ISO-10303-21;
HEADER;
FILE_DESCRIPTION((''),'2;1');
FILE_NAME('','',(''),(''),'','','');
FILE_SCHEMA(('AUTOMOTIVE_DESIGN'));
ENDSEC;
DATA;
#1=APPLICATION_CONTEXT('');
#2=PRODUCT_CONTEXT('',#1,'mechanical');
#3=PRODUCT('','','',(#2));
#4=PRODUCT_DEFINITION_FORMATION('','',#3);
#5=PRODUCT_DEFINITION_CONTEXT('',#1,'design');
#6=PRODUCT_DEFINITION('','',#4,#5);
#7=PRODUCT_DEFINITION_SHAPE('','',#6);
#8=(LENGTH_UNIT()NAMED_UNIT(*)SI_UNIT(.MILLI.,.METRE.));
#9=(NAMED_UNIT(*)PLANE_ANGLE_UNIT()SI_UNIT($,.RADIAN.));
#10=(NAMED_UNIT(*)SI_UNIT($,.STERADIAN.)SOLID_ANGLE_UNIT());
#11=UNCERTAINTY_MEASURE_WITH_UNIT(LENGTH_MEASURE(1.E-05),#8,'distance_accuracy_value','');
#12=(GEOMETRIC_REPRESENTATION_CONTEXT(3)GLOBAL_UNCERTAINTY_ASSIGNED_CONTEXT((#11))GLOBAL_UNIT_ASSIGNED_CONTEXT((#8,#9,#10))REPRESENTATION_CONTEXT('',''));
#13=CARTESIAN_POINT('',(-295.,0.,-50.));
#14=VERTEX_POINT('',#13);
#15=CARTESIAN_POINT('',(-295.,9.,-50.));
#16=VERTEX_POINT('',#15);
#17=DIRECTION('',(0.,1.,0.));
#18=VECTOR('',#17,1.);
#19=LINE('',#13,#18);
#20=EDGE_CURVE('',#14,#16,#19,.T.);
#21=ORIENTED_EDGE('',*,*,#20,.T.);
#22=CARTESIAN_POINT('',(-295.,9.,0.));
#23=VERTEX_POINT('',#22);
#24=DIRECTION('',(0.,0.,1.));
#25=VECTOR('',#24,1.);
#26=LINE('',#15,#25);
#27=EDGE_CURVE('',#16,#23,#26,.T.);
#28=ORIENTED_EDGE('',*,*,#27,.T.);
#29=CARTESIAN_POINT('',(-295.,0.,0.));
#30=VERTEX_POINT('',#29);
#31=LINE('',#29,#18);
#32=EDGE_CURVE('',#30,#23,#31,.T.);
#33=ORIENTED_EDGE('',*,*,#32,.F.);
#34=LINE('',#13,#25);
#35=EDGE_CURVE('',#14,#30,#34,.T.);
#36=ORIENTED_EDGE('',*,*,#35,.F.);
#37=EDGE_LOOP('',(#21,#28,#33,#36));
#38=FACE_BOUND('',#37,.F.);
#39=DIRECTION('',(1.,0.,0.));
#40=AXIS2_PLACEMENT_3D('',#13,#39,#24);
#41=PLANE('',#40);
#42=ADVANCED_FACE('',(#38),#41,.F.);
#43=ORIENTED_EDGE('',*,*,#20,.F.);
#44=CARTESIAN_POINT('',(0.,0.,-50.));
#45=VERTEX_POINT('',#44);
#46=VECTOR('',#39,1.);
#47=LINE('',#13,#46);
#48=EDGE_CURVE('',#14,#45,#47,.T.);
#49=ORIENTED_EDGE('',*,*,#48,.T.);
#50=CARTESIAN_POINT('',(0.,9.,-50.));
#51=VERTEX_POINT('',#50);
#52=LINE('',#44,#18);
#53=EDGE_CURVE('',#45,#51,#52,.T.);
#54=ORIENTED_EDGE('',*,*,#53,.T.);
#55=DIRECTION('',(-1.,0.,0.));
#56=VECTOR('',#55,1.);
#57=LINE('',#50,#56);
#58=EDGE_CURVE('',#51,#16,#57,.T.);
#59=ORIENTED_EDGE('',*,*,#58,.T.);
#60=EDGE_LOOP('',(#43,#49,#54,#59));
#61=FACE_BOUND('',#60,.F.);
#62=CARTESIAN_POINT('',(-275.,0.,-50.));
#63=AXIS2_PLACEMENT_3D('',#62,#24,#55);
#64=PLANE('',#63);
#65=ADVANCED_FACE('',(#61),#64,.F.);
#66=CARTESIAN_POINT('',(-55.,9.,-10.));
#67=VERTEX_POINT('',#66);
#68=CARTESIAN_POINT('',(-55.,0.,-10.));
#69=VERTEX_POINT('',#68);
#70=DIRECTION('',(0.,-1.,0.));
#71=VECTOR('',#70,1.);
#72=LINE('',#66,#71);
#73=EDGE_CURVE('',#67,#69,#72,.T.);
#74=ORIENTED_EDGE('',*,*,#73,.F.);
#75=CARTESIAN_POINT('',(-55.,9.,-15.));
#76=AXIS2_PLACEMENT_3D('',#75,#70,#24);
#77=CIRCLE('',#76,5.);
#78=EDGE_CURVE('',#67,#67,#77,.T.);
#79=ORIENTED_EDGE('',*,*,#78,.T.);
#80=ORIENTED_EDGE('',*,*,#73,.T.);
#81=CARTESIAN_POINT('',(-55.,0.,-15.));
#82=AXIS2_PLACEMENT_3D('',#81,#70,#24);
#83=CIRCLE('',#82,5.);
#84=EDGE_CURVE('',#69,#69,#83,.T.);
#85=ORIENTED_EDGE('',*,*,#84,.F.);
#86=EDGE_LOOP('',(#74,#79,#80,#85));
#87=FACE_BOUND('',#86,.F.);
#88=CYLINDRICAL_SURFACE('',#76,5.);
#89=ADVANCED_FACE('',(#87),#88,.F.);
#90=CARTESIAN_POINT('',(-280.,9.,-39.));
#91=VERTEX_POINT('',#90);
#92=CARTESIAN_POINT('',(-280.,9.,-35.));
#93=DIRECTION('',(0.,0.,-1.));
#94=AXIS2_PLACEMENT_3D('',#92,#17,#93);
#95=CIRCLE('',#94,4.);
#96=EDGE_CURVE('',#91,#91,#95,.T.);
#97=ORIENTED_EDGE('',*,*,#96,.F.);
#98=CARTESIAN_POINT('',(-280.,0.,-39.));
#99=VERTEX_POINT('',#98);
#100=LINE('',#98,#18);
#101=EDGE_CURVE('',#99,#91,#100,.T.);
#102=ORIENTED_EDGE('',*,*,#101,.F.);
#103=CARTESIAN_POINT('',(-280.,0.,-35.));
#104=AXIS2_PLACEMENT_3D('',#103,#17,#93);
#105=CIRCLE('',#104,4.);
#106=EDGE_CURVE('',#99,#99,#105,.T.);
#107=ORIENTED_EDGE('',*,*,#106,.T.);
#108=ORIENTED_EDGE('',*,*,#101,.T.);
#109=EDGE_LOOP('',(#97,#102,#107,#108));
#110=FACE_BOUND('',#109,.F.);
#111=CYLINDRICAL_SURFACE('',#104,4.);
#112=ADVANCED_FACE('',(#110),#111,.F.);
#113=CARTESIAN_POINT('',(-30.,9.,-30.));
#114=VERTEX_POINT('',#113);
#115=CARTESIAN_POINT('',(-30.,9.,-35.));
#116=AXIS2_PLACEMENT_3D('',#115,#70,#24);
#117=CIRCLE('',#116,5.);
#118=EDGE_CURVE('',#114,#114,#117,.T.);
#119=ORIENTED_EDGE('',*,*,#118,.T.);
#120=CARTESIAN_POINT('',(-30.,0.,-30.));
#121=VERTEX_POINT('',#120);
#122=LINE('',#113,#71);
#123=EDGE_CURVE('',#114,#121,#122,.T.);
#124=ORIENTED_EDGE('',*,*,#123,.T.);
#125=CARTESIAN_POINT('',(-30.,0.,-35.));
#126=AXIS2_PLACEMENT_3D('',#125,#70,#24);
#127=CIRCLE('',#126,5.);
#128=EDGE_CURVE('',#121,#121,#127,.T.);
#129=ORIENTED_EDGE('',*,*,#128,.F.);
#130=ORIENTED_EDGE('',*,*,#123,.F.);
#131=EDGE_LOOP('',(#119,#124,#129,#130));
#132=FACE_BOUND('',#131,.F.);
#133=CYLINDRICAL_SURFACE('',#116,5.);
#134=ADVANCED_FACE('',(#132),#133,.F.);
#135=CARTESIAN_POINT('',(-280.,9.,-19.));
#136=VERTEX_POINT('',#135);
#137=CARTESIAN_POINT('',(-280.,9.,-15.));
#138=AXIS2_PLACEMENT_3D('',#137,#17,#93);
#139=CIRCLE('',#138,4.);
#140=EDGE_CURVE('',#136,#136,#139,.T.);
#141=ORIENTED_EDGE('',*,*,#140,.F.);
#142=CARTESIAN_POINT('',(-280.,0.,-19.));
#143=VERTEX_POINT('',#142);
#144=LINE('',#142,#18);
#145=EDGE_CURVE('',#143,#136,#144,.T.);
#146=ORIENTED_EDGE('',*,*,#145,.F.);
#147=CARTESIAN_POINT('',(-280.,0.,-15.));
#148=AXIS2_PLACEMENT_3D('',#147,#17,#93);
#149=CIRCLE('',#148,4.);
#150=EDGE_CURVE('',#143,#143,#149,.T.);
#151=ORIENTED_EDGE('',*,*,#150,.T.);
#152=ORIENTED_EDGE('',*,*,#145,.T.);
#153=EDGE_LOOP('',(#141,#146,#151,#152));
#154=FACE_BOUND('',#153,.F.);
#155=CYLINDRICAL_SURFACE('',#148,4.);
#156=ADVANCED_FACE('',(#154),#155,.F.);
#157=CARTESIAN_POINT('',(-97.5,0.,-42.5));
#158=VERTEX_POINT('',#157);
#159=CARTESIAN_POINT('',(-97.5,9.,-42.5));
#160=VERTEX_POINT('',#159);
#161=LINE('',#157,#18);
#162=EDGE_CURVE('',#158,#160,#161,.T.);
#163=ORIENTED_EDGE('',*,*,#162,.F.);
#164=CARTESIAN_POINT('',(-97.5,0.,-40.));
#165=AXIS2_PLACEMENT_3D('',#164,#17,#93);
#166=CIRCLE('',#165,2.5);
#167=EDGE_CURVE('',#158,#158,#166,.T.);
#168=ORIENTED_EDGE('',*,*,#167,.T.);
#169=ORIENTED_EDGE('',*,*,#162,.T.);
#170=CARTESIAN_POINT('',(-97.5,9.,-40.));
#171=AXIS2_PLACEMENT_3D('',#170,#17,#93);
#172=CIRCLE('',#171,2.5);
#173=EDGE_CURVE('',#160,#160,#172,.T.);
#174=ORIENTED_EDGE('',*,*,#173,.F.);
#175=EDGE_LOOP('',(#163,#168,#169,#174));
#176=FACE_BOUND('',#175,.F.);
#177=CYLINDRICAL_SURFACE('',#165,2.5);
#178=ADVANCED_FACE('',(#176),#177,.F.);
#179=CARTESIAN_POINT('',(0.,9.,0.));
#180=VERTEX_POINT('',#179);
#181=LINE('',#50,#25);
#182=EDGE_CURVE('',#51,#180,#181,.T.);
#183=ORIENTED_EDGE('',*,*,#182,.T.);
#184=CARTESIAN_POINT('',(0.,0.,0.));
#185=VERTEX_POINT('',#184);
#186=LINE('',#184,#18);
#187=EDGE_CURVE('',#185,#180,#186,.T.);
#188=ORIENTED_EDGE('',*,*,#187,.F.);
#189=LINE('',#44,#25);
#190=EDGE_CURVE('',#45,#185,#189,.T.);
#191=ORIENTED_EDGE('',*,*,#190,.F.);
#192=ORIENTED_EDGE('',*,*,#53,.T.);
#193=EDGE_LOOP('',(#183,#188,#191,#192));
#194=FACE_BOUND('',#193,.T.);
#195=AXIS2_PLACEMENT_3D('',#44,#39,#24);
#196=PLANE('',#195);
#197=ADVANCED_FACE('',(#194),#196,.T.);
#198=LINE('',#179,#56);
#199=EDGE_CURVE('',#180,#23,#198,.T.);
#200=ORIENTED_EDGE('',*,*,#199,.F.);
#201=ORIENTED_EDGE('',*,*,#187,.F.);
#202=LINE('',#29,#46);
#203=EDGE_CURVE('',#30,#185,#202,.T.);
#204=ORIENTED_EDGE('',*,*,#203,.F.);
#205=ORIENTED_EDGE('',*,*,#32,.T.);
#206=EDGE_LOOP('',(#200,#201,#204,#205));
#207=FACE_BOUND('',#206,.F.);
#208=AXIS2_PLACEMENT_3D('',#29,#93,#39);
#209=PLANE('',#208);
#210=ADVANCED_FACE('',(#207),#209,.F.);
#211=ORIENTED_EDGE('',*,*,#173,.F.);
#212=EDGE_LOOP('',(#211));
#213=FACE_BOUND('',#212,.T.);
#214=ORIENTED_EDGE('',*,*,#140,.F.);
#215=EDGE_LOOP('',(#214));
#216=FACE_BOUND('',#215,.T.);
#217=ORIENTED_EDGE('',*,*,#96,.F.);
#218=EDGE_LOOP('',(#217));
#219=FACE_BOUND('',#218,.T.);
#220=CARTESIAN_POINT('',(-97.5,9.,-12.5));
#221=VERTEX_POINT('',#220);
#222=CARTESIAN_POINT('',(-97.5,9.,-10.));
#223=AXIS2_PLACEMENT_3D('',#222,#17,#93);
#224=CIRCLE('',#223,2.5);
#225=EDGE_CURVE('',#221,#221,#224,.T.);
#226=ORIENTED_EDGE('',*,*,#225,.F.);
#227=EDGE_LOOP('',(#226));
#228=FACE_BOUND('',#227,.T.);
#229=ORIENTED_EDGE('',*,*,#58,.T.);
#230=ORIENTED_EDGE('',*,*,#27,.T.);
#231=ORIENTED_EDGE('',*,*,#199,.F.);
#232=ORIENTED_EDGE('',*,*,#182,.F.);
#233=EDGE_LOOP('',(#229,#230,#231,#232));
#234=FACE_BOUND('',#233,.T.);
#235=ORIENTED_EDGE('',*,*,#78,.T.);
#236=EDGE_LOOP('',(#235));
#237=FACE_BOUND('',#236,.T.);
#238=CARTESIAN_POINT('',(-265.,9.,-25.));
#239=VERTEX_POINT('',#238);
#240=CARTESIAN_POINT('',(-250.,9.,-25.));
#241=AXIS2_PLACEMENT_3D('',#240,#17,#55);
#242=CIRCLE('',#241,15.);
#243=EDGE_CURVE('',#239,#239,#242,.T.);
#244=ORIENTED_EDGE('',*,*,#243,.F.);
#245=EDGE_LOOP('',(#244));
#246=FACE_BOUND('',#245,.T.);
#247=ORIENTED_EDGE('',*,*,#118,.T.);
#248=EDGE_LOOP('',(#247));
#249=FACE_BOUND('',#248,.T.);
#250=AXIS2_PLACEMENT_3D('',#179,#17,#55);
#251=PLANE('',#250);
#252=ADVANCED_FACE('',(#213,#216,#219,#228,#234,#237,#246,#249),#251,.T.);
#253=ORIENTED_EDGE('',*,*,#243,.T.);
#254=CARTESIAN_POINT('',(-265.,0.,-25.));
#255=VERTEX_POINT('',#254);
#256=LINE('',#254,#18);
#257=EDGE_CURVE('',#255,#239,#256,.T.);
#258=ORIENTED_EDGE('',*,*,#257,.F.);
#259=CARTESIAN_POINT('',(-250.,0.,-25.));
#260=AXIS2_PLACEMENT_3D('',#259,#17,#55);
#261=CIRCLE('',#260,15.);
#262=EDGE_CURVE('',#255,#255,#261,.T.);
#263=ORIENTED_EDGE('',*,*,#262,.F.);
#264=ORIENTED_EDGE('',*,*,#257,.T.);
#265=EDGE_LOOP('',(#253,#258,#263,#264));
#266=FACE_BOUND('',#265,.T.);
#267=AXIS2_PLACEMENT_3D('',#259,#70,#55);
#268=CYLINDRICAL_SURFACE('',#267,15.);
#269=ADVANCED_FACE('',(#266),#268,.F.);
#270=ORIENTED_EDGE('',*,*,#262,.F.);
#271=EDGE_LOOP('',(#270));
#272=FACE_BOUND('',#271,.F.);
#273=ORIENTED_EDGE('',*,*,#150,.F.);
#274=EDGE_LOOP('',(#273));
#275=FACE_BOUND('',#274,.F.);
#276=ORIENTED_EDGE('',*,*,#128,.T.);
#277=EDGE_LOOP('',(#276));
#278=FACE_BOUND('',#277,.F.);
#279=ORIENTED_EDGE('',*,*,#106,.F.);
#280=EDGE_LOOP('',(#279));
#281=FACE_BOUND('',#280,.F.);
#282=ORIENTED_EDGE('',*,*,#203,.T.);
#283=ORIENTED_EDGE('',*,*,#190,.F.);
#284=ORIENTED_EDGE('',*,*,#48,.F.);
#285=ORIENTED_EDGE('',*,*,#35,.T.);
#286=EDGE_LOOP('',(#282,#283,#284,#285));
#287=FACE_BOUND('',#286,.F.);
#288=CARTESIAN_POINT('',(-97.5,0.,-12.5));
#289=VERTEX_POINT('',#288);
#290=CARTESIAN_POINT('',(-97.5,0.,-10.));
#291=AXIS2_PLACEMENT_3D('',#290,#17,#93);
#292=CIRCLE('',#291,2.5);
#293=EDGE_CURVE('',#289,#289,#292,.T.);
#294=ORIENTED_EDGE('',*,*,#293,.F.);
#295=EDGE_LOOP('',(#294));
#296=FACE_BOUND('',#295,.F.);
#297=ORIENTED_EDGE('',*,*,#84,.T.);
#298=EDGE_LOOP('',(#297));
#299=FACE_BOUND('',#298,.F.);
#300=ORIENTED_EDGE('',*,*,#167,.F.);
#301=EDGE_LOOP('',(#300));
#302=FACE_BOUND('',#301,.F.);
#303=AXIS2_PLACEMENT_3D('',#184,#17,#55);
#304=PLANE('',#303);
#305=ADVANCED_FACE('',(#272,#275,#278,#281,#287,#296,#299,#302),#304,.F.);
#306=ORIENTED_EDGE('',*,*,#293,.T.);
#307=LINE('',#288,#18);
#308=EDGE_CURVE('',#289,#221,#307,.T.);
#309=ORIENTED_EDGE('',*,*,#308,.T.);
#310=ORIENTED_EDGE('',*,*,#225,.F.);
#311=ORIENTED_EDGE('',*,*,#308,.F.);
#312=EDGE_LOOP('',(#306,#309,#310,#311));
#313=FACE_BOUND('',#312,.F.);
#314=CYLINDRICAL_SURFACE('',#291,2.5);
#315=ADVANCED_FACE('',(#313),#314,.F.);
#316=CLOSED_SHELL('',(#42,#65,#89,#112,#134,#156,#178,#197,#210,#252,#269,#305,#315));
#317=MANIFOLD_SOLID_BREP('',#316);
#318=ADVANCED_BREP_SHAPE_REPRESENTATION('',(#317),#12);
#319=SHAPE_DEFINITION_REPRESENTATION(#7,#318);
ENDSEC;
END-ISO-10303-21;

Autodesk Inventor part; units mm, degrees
ref_plane "YZ Plane" through (0, 0, 0) normal (1, 0, 0) x (0, 1, 0)
ref_plane "XZ Plane" through (0, 0, 0) normal (0, 1, 0) x (-1, 0, 0)
ref_plane "XY Plane" through (0, 0, 0) normal (0, 0, 1) x (1, 0, 0)
sketch "Skizze1" plane through (0, 0, 0) normal (0, 1, 0) x (-1, 0, 0)
  line L0 (0, 0) -> (275, 0)
  line L1 (275, 0) -> (275, -50)
  line L2 (275, -50) -> (0, -50)
  line L3 (0, -50) -> (0, 0)
  line L4 (275, 0) -> (275, -25)
  line L5 (275, -25) -> (250, -25)
  circle A0 centre (250, -25) radius 15
  line L6 (275, -50) -> (295, -50)
  line L7 (295, -50) -> (295, 0)
  line L8 (295, 0) -> (275, 0)
  dimension "d0" = 275
  dimension "d1" = 50
  dimension "d2" = 25
  dimension "d3" = 30
  dimension "d18" = 20
extrude "Extrusion1" add sketch "Skizze1" along normal blind 9 contours L0 L1 L2 L3
sketch "Skizze2" plane through (0, 9, 0) normal (0, 1, 0) x (1, 0, 0)
  line L0 (0, 0) -> (0, 50) projected
  line L1 (0, 50) -> (-30, 50)
  line L2 (-30, 50) -> (-30, 35)
  line L3 (0, 0) -> (-55, 0)
  line L4 (-275, 0) -> (0, 0) projected
  line L5 (-55, 0) -> (-70, 0)
  line L6 (-70, 0) -> (-55, 0)
  line L7 (-55, 0) -> (-55, 15)
  dimension "d6" = 30
  dimension "d7" = 15
  dimension "d8" = 55
  dimension "d9" = 15
  dimension "d10" = 15
hole "Bohrung1" at (-55, 9, -15) at (-30, 9, -35) direction (0, -1, 0) diameter 10 depth 10 tip angle 118
extrude "Extrusion2" add sketch "Skizze1" along normal blind 9 contours L8 L7 L6 L1
sketch "Skizze3" plane through (0, 0, 0) normal (0, -1, 0) x (1, 0, 0)
  line L0 (0, -50) -> (-295, -50) projected
  line L1 (-295, -50) -> (-280, -50)
  line L2 (-280, -50) -> (-280, -35)
  line L3 (-280, -35) -> (-280, -15)
  line L4 (-280, -15) -> (-280, 0)
  line L5 (-295, 0) -> (0, 0) projected
  dimension "d21" = 15
  dimension "d22" = 15
  dimension "d23" = 20
hole "Bohrung2" at (-280, 0, -15) at (-280, 0, -35) direction (0, 1, 0) diameter 8 depth 9 tip angle 118
sketch "Skizze4" plane through (0, 0, 0) normal (0, -1, 0) x (1, 0, 0)
  line L0 (-97.5, -25) -> (-97.5, 0)
  line L1 (-97.5, 0) -> (-97.5, -10)
  line L2 (-97.5, -10) -> (-97.5, -40)
  line L3 (0, 0) -> (0, -50) projected
  point P0 (-250, -25)
  point P1 (-223.5, -37.5)
  point P2 (-223.5, -12.5)
  point P3 (-138.5, -37.5)
  point P4 (-138.5, -12.5)
  dimension "d45" = 10
  dimension "d46" = 30
  dimension "d47" = 97.5
hole "Bohrung3" at (-97.5, 0, -40) at (-97.5, 0, -10) direction (0, 1, 0) diameter 5 end through all
properties part number "Lagerstuetze_Sensor" material "Holz (Birke)"
